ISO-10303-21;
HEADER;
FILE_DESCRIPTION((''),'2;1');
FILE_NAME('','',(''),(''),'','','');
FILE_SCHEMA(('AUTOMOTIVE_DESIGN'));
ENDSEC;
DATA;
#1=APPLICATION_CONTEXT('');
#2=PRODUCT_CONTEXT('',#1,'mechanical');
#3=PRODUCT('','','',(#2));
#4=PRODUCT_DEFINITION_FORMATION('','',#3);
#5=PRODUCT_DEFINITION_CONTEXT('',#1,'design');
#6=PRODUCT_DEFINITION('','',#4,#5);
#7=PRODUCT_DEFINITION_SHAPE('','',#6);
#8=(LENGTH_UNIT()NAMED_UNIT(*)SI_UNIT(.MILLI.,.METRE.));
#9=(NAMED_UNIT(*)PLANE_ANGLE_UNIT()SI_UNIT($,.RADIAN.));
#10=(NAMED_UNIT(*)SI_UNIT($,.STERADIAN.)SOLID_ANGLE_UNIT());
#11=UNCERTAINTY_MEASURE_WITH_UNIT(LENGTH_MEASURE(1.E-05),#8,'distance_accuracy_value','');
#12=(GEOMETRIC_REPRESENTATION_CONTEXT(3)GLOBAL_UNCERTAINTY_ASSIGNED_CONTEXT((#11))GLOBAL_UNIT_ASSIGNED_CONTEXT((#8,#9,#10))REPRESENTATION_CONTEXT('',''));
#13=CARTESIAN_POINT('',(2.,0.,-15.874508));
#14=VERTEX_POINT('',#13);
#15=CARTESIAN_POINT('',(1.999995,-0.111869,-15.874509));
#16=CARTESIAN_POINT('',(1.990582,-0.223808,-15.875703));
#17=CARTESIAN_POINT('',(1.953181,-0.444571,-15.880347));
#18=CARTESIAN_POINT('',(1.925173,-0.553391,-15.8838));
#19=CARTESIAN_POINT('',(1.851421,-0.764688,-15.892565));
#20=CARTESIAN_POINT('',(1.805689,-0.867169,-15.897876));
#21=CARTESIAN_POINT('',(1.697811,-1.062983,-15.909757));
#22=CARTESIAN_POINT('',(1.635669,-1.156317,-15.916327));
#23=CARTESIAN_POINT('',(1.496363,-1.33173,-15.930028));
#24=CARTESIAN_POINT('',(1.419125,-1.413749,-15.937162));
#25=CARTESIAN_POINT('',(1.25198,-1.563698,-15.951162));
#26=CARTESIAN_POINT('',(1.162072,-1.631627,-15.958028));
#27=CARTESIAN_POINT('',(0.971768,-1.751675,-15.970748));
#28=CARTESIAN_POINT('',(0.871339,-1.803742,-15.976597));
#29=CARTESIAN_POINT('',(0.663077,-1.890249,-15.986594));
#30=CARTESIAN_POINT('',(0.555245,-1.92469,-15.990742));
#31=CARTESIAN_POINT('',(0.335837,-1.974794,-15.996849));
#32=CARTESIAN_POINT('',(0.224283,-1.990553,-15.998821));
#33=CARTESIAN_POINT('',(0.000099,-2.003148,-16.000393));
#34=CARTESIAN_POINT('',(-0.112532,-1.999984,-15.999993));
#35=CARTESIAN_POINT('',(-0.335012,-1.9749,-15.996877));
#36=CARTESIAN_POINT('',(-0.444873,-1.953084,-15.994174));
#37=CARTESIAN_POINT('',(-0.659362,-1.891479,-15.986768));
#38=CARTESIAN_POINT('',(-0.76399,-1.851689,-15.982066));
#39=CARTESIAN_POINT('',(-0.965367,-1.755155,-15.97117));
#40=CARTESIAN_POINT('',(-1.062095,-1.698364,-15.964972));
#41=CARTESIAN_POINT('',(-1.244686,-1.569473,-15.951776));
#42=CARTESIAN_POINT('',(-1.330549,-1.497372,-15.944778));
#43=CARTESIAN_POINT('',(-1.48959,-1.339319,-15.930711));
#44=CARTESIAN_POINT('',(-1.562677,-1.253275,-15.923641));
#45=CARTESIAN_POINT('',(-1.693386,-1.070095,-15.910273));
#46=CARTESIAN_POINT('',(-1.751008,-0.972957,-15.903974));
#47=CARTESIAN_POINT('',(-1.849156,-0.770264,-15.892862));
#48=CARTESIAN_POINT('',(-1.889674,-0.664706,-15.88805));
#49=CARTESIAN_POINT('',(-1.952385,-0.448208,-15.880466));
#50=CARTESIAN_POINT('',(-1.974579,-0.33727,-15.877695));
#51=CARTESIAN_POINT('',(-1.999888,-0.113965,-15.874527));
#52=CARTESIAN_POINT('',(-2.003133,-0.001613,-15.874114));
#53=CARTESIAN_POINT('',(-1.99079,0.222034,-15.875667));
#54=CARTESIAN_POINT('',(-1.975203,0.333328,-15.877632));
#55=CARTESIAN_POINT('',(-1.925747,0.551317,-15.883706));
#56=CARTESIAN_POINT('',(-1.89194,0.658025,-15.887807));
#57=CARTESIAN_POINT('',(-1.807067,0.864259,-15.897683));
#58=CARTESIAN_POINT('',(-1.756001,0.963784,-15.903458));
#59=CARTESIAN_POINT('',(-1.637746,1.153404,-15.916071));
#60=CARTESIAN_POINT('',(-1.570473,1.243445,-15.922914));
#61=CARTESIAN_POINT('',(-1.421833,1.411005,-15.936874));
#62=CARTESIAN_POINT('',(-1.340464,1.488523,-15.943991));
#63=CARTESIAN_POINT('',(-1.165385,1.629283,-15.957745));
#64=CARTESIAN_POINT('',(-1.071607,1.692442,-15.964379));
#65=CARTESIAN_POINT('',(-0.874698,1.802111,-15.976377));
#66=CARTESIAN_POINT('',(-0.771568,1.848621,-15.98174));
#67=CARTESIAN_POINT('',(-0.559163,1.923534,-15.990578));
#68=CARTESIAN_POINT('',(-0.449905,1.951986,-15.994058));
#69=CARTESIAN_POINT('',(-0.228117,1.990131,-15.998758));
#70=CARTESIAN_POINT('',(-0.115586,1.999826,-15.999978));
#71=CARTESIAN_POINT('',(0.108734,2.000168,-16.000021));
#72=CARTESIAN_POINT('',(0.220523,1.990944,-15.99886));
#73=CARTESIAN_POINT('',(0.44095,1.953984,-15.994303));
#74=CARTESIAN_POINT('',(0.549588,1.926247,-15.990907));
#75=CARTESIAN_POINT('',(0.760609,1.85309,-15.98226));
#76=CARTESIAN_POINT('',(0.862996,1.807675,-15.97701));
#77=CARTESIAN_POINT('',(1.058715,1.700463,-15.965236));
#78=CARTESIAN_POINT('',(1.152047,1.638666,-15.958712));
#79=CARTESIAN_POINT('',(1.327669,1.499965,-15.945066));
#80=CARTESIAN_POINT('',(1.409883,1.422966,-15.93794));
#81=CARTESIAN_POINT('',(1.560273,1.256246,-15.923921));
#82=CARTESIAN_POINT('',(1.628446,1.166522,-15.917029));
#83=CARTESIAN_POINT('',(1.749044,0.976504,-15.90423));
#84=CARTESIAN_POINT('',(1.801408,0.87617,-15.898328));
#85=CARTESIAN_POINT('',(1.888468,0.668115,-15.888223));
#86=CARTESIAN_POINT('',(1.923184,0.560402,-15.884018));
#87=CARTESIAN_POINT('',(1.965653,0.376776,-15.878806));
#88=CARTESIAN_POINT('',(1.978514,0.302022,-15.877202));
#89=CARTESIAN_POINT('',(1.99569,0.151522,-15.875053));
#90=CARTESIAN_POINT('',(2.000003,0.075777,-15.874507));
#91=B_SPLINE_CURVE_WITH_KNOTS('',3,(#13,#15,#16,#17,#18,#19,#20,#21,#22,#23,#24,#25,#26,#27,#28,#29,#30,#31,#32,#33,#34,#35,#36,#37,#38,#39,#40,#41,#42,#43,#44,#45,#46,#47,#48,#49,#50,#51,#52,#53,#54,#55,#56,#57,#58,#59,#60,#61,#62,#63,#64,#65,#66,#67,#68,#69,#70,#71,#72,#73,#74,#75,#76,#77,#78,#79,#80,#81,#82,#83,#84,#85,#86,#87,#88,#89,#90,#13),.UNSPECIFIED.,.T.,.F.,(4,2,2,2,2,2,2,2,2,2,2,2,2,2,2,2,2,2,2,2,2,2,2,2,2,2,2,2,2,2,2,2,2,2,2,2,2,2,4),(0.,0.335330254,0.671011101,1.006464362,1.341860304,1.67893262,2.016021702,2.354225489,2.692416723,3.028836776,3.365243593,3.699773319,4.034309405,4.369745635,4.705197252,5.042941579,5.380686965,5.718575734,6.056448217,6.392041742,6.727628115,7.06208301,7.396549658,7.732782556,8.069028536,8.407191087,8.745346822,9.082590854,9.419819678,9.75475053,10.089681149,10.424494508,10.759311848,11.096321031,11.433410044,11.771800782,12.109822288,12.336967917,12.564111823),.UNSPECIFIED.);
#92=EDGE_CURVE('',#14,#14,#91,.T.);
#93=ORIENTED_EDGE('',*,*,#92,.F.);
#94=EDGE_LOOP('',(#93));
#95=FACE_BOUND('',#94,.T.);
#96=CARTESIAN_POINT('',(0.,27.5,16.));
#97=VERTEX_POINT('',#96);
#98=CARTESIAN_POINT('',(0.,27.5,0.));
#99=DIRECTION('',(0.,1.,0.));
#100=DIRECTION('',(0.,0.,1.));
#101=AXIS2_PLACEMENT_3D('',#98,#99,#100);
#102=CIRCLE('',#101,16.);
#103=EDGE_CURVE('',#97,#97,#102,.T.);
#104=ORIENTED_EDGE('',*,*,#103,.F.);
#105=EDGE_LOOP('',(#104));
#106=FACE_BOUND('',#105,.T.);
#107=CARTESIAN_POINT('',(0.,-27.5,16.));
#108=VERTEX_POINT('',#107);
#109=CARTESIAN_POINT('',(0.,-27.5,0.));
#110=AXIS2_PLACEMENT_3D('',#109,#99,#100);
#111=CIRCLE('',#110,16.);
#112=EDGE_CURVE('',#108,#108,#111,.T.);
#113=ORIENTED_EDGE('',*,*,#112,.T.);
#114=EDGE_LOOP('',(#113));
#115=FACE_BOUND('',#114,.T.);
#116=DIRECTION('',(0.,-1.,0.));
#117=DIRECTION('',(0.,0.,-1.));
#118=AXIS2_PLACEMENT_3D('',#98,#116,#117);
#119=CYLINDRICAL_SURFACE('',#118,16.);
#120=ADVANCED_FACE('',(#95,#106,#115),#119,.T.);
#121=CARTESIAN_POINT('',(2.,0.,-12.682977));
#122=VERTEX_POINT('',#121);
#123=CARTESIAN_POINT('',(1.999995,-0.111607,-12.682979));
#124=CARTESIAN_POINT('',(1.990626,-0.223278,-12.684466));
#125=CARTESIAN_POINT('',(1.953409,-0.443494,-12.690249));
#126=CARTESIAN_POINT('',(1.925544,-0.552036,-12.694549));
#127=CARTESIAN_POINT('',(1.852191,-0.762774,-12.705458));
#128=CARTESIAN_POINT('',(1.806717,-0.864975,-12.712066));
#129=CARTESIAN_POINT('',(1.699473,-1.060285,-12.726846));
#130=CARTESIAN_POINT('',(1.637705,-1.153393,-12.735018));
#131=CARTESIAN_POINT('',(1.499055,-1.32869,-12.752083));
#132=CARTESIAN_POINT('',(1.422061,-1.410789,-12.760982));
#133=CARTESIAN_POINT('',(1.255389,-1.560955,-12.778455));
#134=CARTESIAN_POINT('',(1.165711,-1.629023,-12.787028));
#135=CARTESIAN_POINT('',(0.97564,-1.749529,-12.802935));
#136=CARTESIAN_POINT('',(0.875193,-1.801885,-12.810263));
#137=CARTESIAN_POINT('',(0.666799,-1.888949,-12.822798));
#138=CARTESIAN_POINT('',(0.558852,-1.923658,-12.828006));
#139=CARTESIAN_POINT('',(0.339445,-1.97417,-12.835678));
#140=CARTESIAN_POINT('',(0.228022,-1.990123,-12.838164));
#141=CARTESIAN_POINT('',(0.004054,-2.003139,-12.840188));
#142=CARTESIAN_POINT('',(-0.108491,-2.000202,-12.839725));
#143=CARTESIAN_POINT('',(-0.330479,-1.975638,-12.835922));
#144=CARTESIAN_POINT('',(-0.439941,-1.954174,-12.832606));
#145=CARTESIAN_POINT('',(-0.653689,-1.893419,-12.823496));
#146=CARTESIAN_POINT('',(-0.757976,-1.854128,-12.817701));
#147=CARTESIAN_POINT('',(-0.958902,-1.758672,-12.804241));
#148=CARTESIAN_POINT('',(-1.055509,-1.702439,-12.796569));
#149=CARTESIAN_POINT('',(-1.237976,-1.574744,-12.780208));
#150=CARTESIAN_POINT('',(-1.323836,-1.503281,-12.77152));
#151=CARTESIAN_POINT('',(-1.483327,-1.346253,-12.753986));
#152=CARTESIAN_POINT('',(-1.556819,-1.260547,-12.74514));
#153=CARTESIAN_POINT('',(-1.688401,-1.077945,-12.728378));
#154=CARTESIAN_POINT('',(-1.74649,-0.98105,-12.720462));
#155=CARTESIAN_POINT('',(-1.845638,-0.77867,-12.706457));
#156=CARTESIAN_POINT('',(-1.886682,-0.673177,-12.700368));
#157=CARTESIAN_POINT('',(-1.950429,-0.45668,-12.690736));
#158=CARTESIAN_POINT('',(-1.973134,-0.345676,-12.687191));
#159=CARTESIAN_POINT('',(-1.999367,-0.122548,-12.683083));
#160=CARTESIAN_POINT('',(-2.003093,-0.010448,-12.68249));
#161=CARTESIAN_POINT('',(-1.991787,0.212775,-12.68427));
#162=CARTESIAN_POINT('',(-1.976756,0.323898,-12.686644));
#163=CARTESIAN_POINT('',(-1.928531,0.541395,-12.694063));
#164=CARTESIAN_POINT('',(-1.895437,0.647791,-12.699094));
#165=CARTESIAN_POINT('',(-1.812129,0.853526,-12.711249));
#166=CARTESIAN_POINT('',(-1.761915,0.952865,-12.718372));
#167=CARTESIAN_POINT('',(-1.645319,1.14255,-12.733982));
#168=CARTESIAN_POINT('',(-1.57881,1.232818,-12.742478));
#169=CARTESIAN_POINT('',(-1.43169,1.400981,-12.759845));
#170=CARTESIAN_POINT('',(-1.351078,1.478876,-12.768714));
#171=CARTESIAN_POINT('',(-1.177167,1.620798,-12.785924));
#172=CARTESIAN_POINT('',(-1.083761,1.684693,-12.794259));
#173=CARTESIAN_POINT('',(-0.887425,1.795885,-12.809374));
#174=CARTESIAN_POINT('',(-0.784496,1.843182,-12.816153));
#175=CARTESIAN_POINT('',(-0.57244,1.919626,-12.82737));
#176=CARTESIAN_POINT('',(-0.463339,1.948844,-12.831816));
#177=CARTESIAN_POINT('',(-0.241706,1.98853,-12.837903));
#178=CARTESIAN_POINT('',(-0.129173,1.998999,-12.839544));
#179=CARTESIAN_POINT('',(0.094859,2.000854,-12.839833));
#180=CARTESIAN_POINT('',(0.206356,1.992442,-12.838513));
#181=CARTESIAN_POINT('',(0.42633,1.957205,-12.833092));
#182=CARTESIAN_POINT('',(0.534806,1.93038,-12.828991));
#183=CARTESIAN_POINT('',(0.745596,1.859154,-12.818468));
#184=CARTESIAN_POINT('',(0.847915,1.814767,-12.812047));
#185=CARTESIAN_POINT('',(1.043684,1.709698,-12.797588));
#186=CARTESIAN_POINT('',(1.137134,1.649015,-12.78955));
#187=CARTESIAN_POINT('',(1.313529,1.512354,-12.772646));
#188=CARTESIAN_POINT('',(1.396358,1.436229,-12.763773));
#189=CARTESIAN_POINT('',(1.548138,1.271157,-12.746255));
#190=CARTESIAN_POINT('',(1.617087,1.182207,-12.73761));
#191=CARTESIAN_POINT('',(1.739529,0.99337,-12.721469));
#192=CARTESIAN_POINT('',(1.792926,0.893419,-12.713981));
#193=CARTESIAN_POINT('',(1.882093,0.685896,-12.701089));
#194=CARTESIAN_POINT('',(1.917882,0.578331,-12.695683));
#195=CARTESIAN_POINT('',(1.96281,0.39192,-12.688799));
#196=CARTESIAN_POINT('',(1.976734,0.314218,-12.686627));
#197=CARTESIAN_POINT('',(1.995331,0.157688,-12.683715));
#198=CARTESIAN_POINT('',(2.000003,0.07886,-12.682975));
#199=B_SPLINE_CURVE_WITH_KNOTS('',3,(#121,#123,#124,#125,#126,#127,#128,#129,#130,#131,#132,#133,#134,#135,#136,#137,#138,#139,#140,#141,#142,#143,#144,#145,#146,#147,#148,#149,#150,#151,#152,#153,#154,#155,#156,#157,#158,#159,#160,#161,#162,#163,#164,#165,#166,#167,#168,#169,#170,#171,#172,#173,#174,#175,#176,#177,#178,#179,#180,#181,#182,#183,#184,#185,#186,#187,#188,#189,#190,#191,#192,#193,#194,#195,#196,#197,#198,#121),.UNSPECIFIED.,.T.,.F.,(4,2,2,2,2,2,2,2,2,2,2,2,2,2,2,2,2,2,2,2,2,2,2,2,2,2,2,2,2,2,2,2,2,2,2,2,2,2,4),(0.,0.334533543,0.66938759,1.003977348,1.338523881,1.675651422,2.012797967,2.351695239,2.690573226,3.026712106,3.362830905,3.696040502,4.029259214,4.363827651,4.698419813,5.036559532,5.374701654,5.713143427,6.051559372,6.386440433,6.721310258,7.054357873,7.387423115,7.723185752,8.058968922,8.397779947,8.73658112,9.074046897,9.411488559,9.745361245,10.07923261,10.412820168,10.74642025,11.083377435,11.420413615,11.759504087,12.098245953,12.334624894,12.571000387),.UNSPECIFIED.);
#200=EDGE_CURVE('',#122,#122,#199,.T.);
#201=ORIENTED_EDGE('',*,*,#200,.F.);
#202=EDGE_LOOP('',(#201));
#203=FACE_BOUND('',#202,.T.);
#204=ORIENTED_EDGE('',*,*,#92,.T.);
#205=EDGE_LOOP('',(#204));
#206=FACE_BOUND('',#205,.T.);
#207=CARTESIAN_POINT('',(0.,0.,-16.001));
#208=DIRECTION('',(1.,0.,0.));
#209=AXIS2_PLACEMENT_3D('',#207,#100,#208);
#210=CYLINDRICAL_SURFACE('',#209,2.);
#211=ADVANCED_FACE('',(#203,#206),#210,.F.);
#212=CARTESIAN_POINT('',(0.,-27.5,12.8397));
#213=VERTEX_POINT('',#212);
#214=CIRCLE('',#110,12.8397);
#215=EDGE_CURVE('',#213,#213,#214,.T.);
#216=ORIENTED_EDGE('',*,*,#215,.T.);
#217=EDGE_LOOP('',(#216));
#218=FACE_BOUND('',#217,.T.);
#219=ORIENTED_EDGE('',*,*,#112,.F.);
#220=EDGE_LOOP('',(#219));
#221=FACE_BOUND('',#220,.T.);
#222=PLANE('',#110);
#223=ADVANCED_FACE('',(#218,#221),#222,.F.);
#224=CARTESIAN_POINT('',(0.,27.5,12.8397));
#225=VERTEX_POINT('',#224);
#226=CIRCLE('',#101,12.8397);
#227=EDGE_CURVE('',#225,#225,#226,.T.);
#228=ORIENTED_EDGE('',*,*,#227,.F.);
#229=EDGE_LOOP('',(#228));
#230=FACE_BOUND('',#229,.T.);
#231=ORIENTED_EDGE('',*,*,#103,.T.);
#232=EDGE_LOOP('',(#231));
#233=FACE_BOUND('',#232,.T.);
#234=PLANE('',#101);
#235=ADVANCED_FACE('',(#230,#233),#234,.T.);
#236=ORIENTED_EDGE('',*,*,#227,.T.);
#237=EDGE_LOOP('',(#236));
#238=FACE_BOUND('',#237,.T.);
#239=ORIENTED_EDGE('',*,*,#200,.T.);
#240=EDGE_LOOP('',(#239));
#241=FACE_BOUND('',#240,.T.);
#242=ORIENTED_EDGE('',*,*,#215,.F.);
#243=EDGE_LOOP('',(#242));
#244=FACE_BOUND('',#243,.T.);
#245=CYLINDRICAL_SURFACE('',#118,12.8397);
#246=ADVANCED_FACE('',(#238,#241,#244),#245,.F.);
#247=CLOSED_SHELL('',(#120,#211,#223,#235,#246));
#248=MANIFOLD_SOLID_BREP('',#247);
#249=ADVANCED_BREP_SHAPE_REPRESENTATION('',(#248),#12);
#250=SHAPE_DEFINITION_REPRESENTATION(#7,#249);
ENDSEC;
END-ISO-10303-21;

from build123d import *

# Parameters (mm, degrees)
SKETCH1_R           = 16
SKETCH1_R_2         = 12.8397
BOSS_EXTRUDE1_DEPTH = 27.5
CUT_EXTRUDE1_REACH  = 18
SKETCH2_R           = 2


with BuildPart() as part:
    # Sketch1 → Boss-Extrude1 (new body, symmetric)
    with BuildSketch(Plane(origin=(0, 0, 0), x_dir=(1, 0, 0), z_dir=(0, 1, 0))):
        Circle(SKETCH1_R)
        Circle(SKETCH1_R_2, mode=Mode.SUBTRACT)
    extrude(amount=BOSS_EXTRUDE1_DEPTH, both=True)

    # Sketch2 → Cut-Extrude1 (cut, up to next)
    with BuildSketch(Plane.XY, mode=Mode.PRIVATE) as cut_extrude1_sk1:
        Circle(SKETCH2_R)
    cut_extrude1_tool1 = extrude(cut_extrude1_sk1.sketch, amount=-CUT_EXTRUDE1_REACH, mode=Mode.PRIVATE) & part.part
    add(cut_extrude1_tool1.solids().sort_by_distance((0, 0, 0))[0], mode=Mode.SUBTRACT)


solid = part.part
